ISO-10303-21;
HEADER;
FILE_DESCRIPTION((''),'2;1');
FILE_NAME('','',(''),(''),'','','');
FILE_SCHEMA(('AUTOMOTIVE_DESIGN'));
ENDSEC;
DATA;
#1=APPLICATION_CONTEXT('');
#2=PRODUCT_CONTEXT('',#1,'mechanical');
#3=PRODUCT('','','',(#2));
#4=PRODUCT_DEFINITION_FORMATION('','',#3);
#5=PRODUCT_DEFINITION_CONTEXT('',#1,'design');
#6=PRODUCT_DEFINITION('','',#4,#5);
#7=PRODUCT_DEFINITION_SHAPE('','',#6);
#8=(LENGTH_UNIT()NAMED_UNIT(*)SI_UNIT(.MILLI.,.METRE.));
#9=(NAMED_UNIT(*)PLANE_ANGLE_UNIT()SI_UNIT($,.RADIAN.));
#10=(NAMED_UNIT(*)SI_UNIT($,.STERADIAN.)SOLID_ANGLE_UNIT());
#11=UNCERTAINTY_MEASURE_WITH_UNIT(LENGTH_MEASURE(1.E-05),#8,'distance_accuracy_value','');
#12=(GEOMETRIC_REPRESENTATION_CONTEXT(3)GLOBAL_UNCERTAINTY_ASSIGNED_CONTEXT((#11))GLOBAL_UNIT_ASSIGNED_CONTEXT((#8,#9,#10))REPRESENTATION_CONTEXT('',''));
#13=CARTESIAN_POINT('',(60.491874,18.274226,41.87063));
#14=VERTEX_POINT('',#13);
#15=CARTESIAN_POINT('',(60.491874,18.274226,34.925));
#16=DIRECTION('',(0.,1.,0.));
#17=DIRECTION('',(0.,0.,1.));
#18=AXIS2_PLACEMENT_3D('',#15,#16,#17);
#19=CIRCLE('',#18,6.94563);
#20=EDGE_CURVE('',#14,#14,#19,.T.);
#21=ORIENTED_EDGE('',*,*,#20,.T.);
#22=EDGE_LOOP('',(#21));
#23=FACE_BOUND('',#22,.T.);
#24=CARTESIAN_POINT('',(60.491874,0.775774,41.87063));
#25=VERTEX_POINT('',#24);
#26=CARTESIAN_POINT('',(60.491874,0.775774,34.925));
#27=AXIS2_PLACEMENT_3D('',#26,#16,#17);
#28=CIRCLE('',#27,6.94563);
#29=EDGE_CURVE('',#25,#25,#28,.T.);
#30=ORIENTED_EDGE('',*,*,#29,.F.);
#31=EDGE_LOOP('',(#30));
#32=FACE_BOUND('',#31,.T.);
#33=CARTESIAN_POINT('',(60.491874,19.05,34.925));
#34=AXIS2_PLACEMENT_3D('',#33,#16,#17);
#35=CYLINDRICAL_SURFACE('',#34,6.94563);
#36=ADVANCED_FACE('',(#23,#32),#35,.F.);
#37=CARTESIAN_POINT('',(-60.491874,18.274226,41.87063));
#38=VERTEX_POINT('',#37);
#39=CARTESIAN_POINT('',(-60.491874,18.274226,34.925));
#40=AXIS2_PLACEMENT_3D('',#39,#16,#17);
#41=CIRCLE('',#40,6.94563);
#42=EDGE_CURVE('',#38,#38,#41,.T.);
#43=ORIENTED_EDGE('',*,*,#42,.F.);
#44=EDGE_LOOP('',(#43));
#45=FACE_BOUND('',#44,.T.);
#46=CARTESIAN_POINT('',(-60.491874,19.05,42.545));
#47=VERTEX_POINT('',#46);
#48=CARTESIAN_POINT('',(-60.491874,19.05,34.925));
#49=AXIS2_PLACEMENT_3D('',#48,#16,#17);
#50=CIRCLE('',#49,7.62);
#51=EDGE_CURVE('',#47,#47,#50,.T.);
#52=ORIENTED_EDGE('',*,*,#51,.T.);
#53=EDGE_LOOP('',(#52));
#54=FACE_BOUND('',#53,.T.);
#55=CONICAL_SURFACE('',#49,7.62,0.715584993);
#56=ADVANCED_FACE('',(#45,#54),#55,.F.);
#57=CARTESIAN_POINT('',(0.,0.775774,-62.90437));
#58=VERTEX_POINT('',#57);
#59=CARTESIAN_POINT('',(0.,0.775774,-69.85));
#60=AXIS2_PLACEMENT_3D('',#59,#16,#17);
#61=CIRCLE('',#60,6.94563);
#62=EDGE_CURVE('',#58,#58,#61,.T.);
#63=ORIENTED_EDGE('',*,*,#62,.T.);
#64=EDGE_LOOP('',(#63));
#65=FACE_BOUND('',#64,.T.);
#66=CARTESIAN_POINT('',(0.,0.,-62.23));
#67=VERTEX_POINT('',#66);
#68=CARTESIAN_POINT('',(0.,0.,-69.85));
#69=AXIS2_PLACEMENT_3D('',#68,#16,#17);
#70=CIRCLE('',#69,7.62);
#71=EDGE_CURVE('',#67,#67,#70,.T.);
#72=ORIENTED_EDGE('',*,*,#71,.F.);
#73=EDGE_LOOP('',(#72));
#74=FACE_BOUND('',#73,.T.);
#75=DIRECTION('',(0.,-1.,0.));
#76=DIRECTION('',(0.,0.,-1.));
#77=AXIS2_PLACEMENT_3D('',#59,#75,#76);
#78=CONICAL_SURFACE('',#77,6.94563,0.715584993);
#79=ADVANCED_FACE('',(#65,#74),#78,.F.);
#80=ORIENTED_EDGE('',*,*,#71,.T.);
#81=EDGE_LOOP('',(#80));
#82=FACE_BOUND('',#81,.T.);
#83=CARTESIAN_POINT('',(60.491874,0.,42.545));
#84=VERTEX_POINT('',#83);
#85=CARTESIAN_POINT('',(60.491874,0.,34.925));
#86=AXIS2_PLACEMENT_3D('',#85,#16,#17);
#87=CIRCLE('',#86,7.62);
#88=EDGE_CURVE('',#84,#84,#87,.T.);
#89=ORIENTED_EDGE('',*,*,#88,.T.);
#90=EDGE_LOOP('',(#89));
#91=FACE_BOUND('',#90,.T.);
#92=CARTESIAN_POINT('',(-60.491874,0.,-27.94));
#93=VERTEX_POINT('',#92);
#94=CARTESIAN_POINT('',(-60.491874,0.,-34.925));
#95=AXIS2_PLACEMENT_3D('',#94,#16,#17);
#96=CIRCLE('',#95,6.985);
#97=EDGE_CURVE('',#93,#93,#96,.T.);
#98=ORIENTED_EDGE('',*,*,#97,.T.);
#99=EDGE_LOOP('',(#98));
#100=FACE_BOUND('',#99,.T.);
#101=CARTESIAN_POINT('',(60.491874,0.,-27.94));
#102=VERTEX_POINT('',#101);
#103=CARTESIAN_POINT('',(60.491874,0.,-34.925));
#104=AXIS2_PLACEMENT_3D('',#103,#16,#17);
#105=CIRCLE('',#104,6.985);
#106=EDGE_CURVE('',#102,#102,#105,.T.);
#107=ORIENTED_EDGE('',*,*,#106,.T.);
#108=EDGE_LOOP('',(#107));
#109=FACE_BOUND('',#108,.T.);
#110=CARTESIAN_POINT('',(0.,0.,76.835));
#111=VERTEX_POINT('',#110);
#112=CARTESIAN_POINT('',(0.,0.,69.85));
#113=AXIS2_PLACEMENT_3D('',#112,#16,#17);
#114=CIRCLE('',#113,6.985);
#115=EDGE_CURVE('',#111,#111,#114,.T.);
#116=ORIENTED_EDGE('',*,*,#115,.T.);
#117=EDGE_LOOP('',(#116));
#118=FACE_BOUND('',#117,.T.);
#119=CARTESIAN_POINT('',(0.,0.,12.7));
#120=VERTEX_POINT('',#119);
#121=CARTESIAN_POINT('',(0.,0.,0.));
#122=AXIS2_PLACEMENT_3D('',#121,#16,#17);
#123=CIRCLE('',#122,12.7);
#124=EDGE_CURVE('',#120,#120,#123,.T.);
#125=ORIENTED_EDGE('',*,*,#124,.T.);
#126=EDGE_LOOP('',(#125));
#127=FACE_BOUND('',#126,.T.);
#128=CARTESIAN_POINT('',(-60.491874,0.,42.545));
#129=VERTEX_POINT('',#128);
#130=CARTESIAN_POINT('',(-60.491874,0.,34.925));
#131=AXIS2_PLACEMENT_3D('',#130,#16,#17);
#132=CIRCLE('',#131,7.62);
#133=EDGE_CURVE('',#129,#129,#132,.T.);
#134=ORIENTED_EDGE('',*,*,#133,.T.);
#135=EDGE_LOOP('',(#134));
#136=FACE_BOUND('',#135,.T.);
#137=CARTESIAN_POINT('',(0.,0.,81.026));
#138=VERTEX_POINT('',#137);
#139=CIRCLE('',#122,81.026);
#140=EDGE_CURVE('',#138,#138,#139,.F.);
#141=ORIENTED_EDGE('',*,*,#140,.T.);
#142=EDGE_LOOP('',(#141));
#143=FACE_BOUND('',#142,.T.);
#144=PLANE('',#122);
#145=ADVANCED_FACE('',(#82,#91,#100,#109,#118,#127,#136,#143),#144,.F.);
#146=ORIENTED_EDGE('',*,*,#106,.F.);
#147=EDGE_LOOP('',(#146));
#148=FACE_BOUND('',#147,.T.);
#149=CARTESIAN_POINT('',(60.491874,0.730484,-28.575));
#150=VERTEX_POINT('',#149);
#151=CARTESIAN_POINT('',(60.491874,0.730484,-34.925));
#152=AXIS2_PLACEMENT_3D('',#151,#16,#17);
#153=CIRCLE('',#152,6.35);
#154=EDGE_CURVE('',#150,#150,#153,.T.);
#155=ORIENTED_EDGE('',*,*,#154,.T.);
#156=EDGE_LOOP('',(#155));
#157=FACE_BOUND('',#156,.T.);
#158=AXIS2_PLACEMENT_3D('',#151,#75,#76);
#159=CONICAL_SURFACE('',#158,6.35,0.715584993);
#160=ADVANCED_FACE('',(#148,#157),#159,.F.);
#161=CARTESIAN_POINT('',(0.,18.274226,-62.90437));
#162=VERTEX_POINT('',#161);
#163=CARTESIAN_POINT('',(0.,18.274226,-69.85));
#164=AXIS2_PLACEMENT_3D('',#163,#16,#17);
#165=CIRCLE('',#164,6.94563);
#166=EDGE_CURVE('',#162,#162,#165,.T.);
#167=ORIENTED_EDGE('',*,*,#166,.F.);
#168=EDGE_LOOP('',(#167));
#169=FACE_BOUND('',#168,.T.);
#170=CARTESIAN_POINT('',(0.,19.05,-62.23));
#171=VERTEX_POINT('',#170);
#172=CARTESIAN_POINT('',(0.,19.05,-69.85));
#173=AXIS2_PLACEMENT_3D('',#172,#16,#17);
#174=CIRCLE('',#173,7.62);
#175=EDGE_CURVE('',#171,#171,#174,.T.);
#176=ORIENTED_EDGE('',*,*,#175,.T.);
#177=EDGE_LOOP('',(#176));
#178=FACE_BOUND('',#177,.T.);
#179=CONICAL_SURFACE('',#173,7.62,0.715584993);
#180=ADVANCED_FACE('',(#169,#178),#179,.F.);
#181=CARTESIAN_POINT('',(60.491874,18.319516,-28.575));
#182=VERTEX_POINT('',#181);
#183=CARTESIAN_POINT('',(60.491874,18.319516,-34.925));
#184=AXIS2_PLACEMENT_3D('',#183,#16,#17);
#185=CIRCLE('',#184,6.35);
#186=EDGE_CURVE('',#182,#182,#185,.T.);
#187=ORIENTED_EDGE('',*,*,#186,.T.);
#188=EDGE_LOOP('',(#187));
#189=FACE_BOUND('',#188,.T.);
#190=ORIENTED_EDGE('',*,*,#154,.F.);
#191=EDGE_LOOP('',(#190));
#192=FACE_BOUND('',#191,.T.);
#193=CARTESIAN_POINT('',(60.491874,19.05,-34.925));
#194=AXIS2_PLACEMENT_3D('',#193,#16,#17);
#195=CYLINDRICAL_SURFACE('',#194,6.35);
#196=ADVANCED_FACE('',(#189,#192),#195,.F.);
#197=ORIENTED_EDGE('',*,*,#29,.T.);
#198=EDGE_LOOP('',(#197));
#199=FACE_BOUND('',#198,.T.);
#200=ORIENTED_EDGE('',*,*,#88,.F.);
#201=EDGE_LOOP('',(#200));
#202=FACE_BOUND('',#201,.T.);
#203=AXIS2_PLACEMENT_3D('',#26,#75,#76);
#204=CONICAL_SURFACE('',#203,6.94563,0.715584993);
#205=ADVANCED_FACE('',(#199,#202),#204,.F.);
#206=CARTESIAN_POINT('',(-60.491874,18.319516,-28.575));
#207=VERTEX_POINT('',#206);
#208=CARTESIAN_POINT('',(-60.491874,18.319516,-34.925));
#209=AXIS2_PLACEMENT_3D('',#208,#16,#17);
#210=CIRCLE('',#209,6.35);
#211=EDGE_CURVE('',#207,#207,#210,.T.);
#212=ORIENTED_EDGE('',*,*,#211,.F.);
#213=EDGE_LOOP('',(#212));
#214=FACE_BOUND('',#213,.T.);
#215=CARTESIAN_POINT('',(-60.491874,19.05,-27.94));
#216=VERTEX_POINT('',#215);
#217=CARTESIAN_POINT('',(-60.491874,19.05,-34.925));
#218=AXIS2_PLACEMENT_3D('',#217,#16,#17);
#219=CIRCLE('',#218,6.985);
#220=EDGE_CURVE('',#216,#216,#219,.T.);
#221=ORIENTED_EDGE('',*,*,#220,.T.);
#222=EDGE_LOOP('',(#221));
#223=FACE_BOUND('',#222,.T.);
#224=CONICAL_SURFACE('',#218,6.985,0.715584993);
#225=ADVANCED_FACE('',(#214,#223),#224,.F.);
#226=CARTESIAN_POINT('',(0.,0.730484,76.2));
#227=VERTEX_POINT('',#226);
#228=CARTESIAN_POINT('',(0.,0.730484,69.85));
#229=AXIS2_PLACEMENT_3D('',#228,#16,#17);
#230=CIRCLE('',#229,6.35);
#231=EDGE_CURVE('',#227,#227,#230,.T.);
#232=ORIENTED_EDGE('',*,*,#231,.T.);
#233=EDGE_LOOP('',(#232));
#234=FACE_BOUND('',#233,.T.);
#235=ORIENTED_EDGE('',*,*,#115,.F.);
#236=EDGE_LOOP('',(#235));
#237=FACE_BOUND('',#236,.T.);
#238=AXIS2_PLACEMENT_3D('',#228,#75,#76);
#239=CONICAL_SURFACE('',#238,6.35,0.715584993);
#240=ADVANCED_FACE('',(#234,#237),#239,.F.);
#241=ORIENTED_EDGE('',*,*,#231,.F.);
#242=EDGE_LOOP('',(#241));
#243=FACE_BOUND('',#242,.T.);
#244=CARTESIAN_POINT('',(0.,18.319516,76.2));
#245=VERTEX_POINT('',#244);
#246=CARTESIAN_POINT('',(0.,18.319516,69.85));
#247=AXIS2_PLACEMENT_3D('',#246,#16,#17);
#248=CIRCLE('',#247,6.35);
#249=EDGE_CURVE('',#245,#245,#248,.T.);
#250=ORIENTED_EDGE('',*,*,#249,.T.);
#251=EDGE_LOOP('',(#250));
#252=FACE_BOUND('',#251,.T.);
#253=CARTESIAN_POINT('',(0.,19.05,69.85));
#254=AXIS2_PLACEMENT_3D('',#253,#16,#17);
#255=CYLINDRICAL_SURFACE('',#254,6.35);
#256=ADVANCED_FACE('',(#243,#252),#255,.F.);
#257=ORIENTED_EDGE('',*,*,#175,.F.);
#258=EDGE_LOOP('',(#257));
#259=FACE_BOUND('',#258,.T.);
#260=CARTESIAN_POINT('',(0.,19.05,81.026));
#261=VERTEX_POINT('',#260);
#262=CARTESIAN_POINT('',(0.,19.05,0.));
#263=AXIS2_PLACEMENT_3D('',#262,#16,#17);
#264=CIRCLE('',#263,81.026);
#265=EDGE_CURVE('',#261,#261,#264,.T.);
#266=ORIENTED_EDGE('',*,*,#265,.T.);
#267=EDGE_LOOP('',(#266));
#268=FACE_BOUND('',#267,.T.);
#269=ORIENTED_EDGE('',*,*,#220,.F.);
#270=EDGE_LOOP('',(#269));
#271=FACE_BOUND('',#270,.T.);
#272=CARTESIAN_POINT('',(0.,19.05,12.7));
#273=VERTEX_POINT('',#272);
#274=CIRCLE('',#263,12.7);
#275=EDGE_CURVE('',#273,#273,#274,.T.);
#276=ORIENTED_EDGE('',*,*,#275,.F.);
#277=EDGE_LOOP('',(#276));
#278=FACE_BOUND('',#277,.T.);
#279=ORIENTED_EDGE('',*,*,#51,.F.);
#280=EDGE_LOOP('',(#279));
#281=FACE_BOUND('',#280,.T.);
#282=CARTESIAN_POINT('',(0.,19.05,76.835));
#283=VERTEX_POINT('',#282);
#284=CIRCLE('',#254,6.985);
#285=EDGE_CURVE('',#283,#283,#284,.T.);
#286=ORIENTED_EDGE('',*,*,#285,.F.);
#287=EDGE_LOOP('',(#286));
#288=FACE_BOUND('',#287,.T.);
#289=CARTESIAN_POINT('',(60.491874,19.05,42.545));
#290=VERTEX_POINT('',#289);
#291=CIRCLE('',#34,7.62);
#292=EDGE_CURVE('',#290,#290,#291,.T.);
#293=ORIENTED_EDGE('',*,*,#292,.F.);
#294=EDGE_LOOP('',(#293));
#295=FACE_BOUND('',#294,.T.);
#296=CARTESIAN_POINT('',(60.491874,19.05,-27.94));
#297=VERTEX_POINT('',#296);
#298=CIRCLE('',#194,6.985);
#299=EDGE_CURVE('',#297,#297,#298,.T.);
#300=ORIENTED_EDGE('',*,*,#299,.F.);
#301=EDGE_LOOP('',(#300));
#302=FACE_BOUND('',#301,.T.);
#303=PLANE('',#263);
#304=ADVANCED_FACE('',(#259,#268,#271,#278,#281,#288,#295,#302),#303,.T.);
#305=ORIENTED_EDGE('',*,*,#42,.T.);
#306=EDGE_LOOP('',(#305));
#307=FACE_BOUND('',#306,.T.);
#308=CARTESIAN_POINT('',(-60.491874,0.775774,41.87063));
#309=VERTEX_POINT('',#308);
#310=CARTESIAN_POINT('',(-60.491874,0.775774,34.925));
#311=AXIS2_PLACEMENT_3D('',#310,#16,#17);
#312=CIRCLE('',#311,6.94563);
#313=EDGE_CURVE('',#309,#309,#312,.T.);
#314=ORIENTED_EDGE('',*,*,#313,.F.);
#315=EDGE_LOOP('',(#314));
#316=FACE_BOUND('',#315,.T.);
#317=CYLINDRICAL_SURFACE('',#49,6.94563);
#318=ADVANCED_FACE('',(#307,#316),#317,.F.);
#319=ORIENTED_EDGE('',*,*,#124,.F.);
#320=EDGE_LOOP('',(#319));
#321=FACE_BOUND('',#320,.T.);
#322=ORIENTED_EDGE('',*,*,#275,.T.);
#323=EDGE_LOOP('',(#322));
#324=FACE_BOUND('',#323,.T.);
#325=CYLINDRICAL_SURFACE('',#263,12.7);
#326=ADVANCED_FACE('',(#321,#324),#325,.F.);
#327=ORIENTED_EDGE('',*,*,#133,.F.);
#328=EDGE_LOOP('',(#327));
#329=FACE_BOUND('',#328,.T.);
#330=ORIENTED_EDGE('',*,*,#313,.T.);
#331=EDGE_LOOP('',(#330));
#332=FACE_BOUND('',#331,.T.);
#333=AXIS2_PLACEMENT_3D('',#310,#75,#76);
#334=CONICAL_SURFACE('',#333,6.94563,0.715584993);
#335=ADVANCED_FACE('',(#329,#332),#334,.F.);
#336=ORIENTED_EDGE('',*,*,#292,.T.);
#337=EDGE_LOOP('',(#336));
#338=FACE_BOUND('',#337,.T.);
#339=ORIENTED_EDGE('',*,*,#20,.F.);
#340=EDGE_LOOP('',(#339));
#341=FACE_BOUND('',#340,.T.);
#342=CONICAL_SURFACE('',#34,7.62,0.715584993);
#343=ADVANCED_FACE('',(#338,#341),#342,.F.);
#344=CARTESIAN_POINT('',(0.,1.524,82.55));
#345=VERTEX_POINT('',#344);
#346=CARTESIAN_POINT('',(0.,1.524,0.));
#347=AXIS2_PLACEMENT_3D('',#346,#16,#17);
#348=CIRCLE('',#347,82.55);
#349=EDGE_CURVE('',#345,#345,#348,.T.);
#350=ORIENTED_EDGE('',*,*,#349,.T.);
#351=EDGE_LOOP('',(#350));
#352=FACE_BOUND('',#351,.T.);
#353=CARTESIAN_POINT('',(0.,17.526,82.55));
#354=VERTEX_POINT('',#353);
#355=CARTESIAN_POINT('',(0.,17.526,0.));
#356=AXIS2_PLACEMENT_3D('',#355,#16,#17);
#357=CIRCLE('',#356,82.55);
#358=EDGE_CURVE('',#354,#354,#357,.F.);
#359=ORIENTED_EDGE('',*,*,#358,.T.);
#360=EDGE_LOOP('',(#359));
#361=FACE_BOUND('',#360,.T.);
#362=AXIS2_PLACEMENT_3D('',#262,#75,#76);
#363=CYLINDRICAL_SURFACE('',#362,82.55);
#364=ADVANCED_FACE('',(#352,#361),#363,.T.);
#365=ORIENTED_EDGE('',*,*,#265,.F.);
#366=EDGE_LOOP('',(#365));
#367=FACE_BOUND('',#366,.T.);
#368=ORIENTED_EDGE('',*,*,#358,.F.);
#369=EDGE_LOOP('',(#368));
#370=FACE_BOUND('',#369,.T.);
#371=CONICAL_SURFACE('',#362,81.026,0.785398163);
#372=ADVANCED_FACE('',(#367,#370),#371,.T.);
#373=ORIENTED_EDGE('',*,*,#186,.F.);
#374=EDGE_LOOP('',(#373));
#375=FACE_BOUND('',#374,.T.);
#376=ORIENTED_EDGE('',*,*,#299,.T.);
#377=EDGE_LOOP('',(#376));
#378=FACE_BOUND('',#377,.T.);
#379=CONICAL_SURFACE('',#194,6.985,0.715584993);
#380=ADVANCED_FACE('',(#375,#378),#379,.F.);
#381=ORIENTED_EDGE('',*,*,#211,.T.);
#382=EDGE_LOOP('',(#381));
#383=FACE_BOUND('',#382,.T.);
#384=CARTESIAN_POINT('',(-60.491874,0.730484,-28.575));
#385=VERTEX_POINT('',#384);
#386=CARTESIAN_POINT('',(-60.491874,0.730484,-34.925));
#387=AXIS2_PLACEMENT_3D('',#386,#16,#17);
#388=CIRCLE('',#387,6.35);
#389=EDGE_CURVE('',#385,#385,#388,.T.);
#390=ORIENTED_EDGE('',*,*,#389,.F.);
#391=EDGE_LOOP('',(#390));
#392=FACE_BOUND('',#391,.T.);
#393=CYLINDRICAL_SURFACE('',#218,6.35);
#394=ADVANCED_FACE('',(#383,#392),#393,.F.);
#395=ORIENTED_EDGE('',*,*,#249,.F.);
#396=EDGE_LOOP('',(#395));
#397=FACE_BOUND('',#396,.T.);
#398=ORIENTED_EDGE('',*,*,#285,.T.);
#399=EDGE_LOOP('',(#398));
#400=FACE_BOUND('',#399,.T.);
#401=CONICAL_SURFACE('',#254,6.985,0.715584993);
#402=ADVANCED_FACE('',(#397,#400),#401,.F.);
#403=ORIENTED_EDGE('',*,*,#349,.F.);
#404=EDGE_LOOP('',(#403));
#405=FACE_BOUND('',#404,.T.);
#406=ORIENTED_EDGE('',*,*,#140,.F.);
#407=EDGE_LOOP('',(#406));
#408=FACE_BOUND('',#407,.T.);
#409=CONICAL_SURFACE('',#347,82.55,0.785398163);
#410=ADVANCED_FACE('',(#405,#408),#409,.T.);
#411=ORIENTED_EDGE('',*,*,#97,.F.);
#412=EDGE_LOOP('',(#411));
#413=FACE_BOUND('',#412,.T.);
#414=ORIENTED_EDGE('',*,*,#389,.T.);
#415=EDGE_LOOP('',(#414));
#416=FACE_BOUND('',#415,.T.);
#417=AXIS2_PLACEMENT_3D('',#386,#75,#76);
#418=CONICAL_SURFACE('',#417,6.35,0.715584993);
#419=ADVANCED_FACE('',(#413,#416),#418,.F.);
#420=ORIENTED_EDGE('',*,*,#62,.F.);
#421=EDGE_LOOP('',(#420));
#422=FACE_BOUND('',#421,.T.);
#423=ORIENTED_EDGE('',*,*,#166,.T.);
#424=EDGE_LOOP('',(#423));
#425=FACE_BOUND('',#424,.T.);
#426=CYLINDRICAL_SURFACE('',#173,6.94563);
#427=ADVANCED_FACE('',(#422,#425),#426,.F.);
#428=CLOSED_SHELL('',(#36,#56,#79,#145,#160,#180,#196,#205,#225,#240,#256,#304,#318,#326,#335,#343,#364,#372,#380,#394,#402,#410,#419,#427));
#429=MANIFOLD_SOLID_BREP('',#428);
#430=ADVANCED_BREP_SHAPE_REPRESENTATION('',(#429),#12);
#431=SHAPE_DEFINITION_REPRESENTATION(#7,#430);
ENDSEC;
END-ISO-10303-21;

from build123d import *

# Parameters (mm, degrees)
SKETCH1_R                        = 82.55
EXTRUDE1_DEPTH                   = 19.05
F_1_1_DIAMETER_HOLE2_D           = 25.4
F_1_1_DIAMETER_HOLE2_DEPTH       = 19.05
F_1_2_20_TAPPED_HOLE1_AT_2_COUNT = 2
F_1_2_20_TAPPED_HOLE1_AT_2_PITCH = 120.983748909
F_1_2_20_TAPPED_HOLE1_AT_3_COUNT = 2
F_1_2_20_TAPPED_HOLE1_AT_3_PITCH = 120.983748909
F_1_2_CLEARANCE_HOLE1_AT_2_COUNT = 2
F_1_2_CLEARANCE_HOLE1_AT_2_PITCH = 120.983748909
F_1_2_CLEARANCE_HOLE1_AT_3_COUNT = 2
F_1_2_CLEARANCE_HOLE1_AT_3_PITCH = 120.983748909
CHAMFER6_SIZE                    = 1.524


with BuildPart() as part:
    # Sketch1 → Extrude1 (new body)
    with BuildSketch(Plane(origin=(0, 0, 0), x_dir=(1, 0, 0), z_dir=(0, 1, 0))):
        with Locations(Location((0, 0, 0), (0, 0, 270))):  # turned: the seam where the file's is
            Circle(SKETCH1_R)
    extrude(amount=EXTRUDE1_DEPTH)

    # 1 _1_ Diameter Hole2
    with Locations(Plane(origin=(0, 19.05, 0), x_dir=(-1, 0, 0), z_dir=(0, 1, 0))):
        with Locations((0, 0)):
            Hole(F_1_1_DIAMETER_HOLE2_D / 2, depth=F_1_1_DIAMETER_HOLE2_DEPTH)

    # Sketch12 → 1_2-20 Tapped Hole1 (revolve, cut)
    with BuildSketch(Plane(origin=(0, 19.05, 69.85), x_dir=(0, 0, 1), z_dir=(1, 0, 0))):
        Polygon((0, 0), (0, 19.05), (6.985, 19.05), (6.35, 18.319516061), (6.35, 0.730483939), (6.985, 0), align=None)
    f_1_2_20_tapped_hole1 = revolve(axis=Axis((0, 25.4, 69.85), (0, -1, 0)), mode=Mode.SUBTRACT)

    # 1_2-20 Tapped Hole1 at 2: 1_2-20 Tapped Hole1 ×2
    with Locations(*[Vector(-0.5, 0, -0.866025404) * (i * F_1_2_20_TAPPED_HOLE1_AT_2_PITCH) for i in range(1, F_1_2_20_TAPPED_HOLE1_AT_2_COUNT)]):
        add(f_1_2_20_tapped_hole1, mode=Mode.SUBTRACT)

    # 1_2-20 Tapped Hole1 at 3: 1_2-20 Tapped Hole1 ×2
    with Locations(*[Vector(0.5, 0, -0.866025404) * (i * F_1_2_20_TAPPED_HOLE1_AT_3_PITCH) for i in range(1, F_1_2_20_TAPPED_HOLE1_AT_3_COUNT)]):
        add(f_1_2_20_tapped_hole1, mode=Mode.SUBTRACT)

    # Sketch14 → 1_2 Clearance Hole1 (revolve, cut)
    with BuildSketch(Plane(origin=(0, 19.05, -69.85), x_dir=(0, 0, 1), z_dir=(1, 0, 0))):
        Polygon((0, 0), (0, 19.05), (7.62, 19.05), (6.94563, 18.274226057), (6.94563, 0.775773943), (7.62, 0), align=None)
    f_1_2_clearance_hole1 = revolve(axis=Axis((0, 25.4, -69.85), (0, -1, 0)), mode=Mode.SUBTRACT)

    # 1_2 Clearance Hole1 at 2: 1_2 Clearance Hole1 ×2
    with Locations(*[Vector(-0.5, 0, 0.866025404) * (i * F_1_2_CLEARANCE_HOLE1_AT_2_PITCH) for i in range(1, F_1_2_CLEARANCE_HOLE1_AT_2_COUNT)]):
        add(f_1_2_clearance_hole1, mode=Mode.SUBTRACT)

    # 1_2 Clearance Hole1 at 3: 1_2 Clearance Hole1 ×2
    with Locations(*[Vector(0.5, 0, 0.866025404) * (i * F_1_2_CLEARANCE_HOLE1_AT_3_PITCH) for i in range(1, F_1_2_CLEARANCE_HOLE1_AT_3_COUNT)]):
        add(f_1_2_clearance_hole1, mode=Mode.SUBTRACT)

    # Chamfer6
    chamfer6_edges = [part.edges().sort_by_distance(p)[0] for p in [
        (0, 0, -82.55),
        (0, 19.05, -82.55),
    ]]
    chamfer(chamfer6_edges, length=CHAMFER6_SIZE)


solid = part.part
